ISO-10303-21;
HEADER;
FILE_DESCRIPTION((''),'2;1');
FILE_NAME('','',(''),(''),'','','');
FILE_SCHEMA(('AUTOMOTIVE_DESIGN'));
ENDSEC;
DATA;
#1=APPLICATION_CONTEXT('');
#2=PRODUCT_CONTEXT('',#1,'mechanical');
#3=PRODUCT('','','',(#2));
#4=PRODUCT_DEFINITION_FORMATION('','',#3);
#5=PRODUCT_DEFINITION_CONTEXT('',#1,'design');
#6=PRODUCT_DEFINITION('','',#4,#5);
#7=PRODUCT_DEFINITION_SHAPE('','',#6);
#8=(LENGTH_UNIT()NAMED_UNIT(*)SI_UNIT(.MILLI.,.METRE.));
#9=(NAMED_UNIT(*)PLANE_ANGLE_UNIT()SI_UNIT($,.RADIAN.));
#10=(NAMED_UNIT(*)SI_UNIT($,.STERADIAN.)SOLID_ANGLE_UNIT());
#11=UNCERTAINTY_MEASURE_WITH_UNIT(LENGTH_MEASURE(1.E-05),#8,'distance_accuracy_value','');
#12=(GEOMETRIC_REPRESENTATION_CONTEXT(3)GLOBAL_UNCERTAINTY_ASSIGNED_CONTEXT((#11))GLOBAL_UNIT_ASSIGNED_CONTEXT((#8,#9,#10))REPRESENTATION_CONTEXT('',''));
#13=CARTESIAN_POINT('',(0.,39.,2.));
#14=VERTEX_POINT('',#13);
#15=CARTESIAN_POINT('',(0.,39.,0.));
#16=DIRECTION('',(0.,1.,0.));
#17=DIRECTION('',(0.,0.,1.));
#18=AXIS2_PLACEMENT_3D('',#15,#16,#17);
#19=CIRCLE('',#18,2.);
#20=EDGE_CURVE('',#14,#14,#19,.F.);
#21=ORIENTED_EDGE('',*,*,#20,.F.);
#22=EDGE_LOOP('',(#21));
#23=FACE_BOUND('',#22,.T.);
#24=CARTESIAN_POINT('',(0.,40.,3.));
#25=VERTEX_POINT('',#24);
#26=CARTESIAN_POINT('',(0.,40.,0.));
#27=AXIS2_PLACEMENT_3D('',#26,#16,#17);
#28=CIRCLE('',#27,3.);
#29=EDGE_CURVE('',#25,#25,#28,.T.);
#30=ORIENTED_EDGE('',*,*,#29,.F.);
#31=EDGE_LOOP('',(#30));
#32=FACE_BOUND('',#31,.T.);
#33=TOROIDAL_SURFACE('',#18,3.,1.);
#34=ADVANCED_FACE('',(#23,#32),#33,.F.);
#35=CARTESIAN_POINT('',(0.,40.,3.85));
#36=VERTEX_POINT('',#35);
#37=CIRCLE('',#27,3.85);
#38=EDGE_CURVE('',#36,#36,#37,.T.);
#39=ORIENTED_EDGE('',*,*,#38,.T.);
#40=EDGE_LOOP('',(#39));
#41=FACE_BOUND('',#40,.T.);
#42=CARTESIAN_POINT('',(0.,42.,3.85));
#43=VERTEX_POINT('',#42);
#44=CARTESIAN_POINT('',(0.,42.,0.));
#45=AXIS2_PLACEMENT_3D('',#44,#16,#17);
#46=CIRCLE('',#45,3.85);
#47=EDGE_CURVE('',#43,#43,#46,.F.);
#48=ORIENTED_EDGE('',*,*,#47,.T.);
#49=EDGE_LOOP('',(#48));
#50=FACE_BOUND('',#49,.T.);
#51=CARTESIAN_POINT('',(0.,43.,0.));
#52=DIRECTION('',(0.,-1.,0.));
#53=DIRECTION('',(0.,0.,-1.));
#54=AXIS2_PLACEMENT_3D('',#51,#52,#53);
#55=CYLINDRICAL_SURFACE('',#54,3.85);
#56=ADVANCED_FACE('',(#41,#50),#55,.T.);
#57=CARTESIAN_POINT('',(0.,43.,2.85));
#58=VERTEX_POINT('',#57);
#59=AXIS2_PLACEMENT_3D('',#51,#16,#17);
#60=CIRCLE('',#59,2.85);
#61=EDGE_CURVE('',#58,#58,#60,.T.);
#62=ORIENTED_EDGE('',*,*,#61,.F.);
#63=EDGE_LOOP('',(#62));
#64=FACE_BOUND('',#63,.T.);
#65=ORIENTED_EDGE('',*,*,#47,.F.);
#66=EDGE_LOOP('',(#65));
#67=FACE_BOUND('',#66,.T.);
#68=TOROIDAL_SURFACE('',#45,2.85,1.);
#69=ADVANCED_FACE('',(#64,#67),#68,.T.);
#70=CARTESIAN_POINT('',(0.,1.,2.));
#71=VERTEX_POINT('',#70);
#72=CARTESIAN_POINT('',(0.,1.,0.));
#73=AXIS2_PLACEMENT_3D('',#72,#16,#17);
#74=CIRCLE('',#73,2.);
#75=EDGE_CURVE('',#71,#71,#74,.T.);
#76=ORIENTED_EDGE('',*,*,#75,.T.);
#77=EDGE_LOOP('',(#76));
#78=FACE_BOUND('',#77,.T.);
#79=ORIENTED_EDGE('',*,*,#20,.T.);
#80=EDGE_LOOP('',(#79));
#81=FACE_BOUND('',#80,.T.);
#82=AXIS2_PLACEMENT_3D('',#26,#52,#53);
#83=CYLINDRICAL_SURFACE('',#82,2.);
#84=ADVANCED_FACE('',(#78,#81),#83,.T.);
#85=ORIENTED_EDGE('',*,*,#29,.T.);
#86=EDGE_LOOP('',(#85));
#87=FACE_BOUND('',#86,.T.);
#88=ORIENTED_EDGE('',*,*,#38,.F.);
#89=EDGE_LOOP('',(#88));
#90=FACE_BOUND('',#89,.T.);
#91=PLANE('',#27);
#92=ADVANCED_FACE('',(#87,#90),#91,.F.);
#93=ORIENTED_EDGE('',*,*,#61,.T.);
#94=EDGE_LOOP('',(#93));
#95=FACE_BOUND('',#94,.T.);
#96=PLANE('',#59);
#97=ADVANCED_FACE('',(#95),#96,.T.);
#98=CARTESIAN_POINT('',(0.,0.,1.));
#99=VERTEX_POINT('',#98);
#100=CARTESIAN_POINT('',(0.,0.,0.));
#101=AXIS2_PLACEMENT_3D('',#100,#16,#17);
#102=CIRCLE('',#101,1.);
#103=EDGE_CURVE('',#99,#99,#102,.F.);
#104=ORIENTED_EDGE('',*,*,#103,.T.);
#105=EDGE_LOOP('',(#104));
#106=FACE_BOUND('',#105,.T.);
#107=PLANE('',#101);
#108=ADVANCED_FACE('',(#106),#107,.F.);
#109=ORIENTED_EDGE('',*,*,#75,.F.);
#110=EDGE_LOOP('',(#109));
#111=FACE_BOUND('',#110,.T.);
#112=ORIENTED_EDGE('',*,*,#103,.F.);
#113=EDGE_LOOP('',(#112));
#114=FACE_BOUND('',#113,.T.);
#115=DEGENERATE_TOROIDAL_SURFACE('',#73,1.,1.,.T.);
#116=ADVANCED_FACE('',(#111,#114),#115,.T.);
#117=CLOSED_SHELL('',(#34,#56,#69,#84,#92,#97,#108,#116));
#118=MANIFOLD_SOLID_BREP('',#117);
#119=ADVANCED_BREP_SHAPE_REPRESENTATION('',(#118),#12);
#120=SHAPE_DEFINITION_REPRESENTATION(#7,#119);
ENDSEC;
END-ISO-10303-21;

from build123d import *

# Parameters (mm, degrees)
SKETCH1_R           = 2
BOSS_EXTRUDE1_DEPTH = 40
SKETCH2_R           = 3.85
BOSS_EXTRUDE2_DEPTH = 3
FILLET1_R           = 1
FILLET2_R           = 1


with BuildPart() as part:
    # Sketch1 → Boss-Extrude1 (new body)
    with BuildSketch(Plane(origin=(0, 0, 0), x_dir=(1, 0, 0), z_dir=(0, 1, 0))):
        Circle(SKETCH1_R)
    extrude(amount=BOSS_EXTRUDE1_DEPTH)

    # Sketch2 → Boss-Extrude2 (add)
    with BuildSketch(Plane(origin=(0, 40, 0), x_dir=(1, 0, 0), z_dir=(0, 1, 0))):
        Circle(SKETCH2_R)
    extrude(amount=BOSS_EXTRUDE2_DEPTH)

    # Fillet1
    fillet1_edges = [part.edges().sort_by_distance(p)[0] for p in [
        (-3.85, 43, 0),
    ]]
    fillet(fillet1_edges, radius=FILLET1_R)

    # Fillet2
    fillet2_edges = [part.edges().sort_by_distance(p)[0] for p in [
        (-2, 0, 0),
        (-2, 40, 0),
    ]]
    fillet(fillet2_edges, radius=FILLET2_R)


solid = part.part
